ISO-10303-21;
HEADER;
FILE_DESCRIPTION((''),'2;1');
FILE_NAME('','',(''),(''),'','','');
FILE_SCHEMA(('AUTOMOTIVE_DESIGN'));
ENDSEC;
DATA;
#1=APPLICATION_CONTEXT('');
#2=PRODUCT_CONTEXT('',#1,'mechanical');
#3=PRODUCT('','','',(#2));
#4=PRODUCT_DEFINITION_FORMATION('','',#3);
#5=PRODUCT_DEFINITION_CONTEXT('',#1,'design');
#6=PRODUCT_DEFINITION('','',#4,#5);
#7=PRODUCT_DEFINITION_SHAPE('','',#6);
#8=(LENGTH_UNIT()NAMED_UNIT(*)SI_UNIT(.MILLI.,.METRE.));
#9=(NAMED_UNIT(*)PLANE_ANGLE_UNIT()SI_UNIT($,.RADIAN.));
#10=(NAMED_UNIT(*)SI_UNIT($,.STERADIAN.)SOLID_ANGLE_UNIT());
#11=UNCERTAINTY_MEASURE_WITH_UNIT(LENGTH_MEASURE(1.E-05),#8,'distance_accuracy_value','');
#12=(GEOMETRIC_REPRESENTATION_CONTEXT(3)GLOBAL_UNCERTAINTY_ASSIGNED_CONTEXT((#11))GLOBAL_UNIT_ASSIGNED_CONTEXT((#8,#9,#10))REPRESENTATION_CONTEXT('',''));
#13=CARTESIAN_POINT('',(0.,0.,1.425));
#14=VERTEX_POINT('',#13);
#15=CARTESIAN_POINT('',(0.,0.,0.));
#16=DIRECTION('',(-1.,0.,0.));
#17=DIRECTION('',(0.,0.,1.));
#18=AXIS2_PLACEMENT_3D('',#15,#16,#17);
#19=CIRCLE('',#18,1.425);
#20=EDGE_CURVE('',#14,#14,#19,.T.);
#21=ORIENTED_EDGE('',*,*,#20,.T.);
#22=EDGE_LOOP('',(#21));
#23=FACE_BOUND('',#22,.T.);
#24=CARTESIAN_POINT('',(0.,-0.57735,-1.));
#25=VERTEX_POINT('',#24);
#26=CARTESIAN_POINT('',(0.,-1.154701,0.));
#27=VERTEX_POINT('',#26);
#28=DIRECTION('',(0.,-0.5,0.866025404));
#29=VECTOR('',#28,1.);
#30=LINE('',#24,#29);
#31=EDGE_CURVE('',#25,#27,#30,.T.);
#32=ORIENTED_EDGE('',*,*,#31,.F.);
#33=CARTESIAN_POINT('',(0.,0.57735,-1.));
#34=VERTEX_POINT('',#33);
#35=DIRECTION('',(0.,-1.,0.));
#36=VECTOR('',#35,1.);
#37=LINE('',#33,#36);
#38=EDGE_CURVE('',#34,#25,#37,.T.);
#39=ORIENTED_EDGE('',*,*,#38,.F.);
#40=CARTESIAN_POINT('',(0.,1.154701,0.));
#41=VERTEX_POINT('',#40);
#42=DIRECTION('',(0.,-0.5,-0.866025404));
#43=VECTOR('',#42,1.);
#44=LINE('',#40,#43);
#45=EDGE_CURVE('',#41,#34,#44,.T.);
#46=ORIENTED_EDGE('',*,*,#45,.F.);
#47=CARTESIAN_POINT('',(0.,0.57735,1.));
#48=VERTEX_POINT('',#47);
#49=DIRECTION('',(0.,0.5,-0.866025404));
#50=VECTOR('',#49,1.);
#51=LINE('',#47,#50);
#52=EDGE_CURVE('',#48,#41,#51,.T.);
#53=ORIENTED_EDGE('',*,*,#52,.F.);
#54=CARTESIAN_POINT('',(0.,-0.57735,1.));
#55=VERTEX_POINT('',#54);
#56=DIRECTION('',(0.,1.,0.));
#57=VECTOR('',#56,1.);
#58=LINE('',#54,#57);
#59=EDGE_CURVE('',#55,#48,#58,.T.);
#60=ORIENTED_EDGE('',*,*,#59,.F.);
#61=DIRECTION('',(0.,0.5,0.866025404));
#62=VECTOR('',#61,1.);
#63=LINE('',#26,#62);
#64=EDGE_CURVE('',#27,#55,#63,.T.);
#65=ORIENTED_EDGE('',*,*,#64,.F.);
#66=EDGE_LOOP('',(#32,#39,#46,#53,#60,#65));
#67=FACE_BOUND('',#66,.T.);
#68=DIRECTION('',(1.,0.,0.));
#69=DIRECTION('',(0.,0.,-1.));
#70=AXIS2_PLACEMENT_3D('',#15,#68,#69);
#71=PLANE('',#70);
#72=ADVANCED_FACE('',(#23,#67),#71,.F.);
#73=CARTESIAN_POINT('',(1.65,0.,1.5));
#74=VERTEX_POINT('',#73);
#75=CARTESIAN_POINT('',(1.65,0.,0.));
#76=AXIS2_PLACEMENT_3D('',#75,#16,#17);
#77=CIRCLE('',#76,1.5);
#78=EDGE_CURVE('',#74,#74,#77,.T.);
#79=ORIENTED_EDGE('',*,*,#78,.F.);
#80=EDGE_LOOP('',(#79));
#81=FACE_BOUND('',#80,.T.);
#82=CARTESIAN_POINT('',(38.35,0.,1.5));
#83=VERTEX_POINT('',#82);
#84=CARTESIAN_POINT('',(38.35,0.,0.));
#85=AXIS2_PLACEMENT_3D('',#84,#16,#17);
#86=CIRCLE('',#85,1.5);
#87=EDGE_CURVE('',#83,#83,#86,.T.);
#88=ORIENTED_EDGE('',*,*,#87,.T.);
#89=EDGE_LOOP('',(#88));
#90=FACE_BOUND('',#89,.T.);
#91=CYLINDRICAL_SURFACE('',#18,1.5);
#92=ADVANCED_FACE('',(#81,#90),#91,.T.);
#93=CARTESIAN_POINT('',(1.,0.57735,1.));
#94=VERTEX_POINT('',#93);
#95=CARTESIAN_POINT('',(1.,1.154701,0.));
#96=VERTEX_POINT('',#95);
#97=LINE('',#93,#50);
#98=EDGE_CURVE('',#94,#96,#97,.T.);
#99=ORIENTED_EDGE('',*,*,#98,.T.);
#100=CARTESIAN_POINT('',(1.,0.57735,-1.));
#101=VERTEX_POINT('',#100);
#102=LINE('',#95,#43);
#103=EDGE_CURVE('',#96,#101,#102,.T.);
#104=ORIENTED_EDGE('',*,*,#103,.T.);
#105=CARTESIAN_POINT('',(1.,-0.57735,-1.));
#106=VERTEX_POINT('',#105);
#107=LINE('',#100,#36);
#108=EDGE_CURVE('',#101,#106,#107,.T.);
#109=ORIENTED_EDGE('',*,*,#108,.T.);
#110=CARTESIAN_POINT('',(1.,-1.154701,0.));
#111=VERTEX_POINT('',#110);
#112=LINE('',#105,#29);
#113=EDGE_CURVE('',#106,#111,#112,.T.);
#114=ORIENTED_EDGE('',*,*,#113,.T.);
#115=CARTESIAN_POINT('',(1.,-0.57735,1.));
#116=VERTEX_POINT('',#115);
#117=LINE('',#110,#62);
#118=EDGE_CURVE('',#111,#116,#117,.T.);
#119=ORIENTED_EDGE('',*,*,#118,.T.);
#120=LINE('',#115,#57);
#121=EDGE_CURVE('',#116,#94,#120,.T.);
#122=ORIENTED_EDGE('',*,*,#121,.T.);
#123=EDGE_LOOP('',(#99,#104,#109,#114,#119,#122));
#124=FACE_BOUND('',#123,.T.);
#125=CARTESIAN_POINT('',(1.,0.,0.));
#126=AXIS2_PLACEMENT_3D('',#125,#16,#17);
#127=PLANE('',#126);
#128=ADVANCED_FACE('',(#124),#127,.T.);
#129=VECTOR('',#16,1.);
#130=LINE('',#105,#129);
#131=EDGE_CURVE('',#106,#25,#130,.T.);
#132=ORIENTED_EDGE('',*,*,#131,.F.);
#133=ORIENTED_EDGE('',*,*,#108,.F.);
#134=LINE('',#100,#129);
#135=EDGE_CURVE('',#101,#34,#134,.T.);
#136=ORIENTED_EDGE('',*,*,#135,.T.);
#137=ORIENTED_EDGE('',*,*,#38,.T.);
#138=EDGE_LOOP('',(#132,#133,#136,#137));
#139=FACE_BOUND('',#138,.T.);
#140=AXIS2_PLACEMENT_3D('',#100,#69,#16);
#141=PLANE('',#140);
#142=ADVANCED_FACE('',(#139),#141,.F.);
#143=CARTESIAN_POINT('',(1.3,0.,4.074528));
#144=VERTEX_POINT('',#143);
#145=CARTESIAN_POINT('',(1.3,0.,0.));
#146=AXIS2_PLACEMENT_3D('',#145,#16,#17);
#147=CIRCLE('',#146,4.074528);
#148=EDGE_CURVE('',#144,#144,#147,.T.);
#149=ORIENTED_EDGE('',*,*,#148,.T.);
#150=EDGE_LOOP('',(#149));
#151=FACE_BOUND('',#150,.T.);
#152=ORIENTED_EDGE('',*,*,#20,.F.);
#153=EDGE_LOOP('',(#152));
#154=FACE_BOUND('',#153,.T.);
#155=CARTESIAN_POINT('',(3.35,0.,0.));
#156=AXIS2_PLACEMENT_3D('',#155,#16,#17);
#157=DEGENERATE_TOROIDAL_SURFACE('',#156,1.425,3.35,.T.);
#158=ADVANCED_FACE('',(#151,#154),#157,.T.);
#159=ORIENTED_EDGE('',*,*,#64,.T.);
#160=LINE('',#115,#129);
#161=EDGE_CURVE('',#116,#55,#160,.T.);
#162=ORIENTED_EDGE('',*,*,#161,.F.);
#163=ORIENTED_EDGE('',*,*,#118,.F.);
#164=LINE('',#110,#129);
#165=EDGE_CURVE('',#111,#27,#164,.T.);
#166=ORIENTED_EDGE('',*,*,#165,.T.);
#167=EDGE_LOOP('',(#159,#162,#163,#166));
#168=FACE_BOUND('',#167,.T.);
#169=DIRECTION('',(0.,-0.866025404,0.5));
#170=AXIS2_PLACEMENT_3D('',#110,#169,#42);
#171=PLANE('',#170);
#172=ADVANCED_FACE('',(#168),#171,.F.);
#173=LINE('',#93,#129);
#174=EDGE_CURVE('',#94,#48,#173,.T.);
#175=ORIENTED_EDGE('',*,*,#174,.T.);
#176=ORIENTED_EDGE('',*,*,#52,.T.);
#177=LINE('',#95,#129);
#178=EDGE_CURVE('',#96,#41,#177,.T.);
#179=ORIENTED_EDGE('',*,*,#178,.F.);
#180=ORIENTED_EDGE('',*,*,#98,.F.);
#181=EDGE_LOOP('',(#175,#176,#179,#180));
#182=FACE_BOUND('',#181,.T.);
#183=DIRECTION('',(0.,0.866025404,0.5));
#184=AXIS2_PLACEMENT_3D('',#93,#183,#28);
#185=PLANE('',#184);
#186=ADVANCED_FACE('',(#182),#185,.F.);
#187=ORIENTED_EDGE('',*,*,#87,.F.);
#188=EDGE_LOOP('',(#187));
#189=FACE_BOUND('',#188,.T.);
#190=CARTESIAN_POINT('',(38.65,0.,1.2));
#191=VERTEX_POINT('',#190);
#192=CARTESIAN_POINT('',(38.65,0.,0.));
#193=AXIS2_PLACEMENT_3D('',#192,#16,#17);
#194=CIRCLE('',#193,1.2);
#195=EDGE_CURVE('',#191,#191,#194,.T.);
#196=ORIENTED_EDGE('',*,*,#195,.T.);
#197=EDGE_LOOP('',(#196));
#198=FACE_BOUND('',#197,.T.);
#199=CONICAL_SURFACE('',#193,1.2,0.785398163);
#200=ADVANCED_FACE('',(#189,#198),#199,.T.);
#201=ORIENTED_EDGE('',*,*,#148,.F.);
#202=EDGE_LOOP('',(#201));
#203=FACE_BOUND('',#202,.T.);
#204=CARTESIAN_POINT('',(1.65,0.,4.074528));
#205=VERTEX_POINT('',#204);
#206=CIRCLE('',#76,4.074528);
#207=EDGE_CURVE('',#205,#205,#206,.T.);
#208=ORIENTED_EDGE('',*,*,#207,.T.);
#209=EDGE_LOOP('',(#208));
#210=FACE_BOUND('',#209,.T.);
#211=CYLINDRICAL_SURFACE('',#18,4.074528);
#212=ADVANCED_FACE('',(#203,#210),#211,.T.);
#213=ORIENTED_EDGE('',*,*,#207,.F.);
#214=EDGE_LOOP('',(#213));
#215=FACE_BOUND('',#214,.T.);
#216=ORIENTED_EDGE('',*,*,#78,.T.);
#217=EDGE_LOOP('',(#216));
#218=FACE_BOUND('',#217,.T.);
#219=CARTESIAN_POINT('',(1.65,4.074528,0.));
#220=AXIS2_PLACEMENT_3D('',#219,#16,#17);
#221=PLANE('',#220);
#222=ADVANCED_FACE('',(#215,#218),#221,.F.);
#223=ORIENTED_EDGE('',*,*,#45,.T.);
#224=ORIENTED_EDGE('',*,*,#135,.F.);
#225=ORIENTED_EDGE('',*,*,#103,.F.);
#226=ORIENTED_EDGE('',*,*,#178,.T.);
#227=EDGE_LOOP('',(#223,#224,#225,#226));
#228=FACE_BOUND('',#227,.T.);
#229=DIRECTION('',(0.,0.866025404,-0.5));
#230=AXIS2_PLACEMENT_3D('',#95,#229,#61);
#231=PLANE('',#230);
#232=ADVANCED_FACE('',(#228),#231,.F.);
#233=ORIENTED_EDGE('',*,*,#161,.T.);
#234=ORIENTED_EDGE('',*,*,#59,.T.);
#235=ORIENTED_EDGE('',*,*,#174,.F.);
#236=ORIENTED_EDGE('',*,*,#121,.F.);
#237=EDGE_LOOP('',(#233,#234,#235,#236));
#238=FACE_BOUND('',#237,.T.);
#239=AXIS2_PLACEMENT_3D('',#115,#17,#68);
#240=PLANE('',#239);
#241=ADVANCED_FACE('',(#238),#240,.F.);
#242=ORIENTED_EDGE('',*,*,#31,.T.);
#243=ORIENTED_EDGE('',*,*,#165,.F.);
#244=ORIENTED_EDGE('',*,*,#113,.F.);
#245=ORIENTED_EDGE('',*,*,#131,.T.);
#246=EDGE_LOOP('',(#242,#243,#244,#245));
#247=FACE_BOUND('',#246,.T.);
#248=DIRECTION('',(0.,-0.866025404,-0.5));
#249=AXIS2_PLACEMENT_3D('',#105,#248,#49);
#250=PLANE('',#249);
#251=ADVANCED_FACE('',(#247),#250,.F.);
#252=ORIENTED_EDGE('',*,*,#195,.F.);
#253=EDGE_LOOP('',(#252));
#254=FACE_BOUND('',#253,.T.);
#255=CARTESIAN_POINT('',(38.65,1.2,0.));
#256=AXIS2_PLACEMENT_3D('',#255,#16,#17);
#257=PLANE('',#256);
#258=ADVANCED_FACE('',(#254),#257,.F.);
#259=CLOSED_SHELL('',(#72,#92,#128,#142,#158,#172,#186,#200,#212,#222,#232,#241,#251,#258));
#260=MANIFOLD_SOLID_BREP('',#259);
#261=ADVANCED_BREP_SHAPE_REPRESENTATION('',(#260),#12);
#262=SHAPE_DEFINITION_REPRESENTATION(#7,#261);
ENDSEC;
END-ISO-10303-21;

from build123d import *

# Parameters (mm, degrees)
CUT_EXTRUDE1_DEPTH = 1


with BuildPart() as part:
    # Sketch1 → Revolve1 (revolve)
    with BuildSketch(Plane.XY, mode=Mode.PRIVATE) as revolve1_sk:
        with BuildLine():
            Line((0, 0), (0, 1.425))
            ThreePointArc((0, 1.425), (0.342509352, 2.900635456), (1.3, 4.07452826))
            Line((1.3, 4.07452826), (1.65, 4.07452826))
            Line((1.65, 4.07452826), (1.65, 1.5))
            Line((1.65, 1.5), (38.35, 1.5))
            Line((38.35, 1.5), (38.65, 1.2))
            Line((38.65, 1.2), (38.65, 0))
            Line((38.65, 0), (0, 0))
        make_face()
    revolve(revolve1_sk.sketch.rotate(Axis((0, 0, 0), (1, 0, 0)), 90), axis=Axis((0, 0, 0), (1, 0, 0)))

    # Sketch2 → Cut-Extrude1 (cut)
    with BuildSketch(Plane.ZY):
        Polygon((0, 1.154700538), (-1, 0.577350269), (-1, -0.577350269), (0, -1.154700538), (1, -0.577350269), (1, 0.577350269), align=None)
    extrude(amount=-CUT_EXTRUDE1_DEPTH, mode=Mode.SUBTRACT)


solid = part.part
